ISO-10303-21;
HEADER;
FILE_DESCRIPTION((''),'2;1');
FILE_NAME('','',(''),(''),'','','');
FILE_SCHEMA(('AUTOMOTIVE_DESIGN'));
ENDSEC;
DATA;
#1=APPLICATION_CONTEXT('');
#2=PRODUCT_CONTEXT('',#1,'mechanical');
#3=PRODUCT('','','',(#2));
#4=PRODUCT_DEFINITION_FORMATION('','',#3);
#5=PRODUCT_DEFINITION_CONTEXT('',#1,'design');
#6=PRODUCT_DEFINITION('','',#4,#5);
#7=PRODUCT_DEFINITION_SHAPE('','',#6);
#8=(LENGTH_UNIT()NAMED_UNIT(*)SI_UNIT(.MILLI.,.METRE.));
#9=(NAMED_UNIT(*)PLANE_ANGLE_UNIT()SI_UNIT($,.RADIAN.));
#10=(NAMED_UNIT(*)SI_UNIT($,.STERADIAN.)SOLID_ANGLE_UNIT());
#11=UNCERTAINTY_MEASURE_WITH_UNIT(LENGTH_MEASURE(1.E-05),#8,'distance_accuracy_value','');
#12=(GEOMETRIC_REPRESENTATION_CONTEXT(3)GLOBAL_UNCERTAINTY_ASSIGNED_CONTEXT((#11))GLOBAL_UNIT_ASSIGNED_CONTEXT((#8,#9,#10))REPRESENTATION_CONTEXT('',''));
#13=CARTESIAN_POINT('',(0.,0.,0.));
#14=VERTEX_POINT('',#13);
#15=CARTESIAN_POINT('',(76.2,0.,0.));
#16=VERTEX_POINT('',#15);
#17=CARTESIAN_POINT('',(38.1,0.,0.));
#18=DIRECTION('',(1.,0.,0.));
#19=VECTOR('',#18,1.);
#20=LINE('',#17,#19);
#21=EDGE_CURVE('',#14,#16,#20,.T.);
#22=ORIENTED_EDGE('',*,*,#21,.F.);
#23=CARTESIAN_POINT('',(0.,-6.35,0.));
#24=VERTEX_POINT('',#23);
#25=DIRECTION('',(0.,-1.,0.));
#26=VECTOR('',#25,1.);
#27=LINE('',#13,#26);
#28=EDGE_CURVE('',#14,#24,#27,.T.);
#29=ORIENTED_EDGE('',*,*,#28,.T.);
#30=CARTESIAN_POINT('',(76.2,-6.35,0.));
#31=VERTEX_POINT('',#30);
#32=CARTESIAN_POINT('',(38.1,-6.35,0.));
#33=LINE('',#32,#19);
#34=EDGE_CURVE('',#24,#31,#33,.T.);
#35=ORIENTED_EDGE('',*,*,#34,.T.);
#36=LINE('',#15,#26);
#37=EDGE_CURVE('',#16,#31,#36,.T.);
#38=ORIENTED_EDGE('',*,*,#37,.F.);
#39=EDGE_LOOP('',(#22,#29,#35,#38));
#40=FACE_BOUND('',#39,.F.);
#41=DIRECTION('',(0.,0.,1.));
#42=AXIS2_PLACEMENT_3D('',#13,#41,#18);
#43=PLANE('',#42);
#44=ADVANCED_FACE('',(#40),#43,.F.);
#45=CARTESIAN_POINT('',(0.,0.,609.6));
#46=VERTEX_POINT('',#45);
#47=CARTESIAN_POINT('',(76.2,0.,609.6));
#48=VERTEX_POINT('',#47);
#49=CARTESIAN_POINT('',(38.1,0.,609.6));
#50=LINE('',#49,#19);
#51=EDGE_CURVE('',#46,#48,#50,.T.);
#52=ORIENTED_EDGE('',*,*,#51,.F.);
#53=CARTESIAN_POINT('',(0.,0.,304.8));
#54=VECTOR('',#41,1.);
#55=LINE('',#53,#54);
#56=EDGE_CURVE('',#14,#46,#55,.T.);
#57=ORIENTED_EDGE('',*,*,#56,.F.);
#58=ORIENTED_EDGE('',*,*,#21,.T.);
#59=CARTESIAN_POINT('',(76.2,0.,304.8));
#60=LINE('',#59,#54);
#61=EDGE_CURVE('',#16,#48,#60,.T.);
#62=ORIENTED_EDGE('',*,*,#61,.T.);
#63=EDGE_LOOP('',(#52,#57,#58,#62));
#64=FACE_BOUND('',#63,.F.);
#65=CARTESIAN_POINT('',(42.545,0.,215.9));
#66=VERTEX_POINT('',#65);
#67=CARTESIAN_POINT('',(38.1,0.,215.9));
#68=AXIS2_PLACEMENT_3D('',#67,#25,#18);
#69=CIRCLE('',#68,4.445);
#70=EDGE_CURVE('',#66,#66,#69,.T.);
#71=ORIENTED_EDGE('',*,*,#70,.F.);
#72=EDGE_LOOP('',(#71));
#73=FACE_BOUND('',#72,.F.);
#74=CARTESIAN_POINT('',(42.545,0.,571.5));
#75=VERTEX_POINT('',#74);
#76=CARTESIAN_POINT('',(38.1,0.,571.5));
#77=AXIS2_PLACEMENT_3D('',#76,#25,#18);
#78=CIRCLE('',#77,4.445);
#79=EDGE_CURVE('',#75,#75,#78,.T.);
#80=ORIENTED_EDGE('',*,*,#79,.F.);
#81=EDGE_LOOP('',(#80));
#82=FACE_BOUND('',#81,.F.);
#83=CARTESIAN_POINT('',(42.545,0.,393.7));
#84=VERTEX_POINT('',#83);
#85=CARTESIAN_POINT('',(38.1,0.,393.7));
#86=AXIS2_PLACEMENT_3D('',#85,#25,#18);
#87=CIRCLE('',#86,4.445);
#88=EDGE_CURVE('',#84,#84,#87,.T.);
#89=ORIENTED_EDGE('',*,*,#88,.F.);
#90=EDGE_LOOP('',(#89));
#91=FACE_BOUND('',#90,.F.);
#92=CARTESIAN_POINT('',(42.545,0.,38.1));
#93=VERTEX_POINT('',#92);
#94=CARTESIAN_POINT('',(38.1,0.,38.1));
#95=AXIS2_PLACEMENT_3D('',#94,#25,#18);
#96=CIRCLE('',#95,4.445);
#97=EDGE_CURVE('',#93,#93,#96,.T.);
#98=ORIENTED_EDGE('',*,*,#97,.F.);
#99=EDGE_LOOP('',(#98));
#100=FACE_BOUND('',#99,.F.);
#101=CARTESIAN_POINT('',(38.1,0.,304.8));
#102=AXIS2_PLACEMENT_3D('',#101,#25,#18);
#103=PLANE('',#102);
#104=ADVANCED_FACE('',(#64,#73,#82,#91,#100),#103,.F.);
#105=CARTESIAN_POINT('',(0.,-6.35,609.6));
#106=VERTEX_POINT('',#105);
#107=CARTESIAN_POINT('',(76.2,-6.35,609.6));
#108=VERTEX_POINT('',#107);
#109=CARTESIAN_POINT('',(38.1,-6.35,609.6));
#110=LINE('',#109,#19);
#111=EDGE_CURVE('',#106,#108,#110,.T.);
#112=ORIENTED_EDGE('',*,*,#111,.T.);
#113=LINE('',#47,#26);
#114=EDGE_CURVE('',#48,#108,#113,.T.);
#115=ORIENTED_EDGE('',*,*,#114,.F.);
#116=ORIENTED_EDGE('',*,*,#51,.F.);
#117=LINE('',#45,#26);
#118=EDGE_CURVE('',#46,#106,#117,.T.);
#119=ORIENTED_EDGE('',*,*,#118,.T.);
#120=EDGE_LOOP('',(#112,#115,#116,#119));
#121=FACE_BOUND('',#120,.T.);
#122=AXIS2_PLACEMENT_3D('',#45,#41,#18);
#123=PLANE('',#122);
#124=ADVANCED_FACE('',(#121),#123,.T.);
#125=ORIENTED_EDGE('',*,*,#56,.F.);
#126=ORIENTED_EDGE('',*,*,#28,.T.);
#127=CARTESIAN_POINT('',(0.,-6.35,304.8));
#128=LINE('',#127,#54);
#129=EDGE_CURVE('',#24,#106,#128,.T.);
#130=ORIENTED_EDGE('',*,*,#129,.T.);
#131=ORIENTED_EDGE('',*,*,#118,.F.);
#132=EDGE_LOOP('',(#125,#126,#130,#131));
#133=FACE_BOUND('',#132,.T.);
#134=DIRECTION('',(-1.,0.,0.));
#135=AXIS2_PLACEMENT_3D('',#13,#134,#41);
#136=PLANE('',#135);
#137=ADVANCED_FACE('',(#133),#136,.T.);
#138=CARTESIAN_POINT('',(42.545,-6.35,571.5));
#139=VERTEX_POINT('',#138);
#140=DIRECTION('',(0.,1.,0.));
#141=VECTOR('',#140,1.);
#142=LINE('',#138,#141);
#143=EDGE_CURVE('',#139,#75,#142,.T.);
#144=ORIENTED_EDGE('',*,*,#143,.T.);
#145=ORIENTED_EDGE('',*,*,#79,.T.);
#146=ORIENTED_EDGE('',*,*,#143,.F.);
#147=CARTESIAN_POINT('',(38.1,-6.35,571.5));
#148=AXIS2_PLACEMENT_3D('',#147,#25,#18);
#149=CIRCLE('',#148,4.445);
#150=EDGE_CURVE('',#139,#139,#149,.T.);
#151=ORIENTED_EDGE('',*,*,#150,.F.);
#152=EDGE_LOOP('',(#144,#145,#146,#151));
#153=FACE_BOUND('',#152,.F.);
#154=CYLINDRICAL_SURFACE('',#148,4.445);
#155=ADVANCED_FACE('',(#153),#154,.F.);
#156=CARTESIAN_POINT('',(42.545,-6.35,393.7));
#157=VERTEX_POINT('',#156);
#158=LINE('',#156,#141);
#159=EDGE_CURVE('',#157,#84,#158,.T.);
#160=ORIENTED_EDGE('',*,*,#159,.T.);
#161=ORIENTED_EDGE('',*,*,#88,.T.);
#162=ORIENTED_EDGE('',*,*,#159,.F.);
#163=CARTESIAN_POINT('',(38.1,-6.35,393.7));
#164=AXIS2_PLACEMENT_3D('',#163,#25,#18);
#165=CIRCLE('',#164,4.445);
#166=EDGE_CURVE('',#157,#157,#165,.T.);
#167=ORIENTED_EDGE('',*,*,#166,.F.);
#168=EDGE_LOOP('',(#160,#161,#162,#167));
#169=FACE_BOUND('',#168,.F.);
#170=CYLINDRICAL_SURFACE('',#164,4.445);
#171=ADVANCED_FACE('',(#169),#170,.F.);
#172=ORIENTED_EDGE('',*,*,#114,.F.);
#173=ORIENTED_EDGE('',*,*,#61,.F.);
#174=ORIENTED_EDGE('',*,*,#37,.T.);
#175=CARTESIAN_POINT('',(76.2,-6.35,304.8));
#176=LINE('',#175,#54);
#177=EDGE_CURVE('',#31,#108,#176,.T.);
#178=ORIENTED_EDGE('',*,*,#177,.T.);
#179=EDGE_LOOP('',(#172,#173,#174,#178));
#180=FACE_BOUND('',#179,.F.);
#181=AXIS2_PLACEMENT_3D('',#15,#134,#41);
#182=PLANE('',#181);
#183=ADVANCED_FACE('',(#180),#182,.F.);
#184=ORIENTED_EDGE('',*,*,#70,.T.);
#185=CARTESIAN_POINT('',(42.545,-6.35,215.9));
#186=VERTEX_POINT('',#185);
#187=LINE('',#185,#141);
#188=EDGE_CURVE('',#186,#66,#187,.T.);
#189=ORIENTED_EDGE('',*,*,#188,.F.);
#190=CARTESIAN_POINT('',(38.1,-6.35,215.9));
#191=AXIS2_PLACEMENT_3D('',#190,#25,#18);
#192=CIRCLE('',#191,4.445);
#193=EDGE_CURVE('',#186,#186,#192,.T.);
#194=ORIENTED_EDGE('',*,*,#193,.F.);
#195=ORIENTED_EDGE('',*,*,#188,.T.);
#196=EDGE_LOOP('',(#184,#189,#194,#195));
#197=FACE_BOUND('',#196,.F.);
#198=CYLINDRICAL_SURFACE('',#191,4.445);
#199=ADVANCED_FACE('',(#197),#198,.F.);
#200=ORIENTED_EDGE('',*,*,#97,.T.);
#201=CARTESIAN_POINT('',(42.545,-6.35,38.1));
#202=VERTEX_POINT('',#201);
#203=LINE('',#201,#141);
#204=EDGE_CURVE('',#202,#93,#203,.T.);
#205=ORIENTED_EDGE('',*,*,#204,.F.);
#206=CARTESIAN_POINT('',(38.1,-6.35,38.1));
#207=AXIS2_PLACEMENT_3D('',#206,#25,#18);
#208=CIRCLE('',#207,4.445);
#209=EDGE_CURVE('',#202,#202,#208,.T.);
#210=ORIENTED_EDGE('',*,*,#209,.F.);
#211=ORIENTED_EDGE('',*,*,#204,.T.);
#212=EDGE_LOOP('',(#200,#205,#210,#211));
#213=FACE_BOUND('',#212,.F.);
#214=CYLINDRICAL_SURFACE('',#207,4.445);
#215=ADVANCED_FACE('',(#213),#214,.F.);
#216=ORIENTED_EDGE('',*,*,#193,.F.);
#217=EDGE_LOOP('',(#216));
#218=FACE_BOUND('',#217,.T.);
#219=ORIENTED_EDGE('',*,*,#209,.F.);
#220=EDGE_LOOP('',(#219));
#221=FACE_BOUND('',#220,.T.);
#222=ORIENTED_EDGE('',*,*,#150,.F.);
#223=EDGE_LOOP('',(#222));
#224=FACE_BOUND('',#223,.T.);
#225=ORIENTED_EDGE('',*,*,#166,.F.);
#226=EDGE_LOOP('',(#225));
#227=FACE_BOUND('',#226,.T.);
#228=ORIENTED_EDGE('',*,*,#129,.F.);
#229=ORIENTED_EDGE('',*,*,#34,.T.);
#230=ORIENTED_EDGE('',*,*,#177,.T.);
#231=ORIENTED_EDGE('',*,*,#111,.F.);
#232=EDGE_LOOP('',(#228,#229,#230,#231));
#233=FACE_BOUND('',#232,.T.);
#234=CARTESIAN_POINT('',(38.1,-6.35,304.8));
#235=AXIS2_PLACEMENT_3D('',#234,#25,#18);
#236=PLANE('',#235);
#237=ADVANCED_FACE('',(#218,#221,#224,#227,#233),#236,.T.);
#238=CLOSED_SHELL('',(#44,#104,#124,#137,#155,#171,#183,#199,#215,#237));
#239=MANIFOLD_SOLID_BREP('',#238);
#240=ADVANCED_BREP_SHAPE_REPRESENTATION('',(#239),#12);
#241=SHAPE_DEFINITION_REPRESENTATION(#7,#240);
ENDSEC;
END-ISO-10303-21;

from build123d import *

# Parameters (mm, degrees)
F0_W     = 76.2
F0_H     = 609.6
F1_DEPTH = 6.35
F2_R     = 4.445
F3_DEPTH = 6.351


with BuildPart() as f1:
    # F0 (on Front) → F1 (new body)
    with BuildSketch(Plane.XZ):
        with Locations((38.1, 304.8)):
            Rectangle(F0_W, F0_H)
    extrude(amount=F1_DEPTH)

    # F2 (on face) → F3 (cut, through all)
    with BuildSketch(Plane.XZ.offset(6.35)):
        with Locations((38.1, 571.5)):
            Circle(F2_R)
        with Locations((38.1, 393.7)):
            Circle(F2_R)
        with Locations((38.1, 215.9)):
            Circle(F2_R)
        with Locations((38.1, 38.1)):
            Circle(F2_R)
    extrude(amount=-F3_DEPTH, mode=Mode.SUBTRACT)


solid = f1.part
